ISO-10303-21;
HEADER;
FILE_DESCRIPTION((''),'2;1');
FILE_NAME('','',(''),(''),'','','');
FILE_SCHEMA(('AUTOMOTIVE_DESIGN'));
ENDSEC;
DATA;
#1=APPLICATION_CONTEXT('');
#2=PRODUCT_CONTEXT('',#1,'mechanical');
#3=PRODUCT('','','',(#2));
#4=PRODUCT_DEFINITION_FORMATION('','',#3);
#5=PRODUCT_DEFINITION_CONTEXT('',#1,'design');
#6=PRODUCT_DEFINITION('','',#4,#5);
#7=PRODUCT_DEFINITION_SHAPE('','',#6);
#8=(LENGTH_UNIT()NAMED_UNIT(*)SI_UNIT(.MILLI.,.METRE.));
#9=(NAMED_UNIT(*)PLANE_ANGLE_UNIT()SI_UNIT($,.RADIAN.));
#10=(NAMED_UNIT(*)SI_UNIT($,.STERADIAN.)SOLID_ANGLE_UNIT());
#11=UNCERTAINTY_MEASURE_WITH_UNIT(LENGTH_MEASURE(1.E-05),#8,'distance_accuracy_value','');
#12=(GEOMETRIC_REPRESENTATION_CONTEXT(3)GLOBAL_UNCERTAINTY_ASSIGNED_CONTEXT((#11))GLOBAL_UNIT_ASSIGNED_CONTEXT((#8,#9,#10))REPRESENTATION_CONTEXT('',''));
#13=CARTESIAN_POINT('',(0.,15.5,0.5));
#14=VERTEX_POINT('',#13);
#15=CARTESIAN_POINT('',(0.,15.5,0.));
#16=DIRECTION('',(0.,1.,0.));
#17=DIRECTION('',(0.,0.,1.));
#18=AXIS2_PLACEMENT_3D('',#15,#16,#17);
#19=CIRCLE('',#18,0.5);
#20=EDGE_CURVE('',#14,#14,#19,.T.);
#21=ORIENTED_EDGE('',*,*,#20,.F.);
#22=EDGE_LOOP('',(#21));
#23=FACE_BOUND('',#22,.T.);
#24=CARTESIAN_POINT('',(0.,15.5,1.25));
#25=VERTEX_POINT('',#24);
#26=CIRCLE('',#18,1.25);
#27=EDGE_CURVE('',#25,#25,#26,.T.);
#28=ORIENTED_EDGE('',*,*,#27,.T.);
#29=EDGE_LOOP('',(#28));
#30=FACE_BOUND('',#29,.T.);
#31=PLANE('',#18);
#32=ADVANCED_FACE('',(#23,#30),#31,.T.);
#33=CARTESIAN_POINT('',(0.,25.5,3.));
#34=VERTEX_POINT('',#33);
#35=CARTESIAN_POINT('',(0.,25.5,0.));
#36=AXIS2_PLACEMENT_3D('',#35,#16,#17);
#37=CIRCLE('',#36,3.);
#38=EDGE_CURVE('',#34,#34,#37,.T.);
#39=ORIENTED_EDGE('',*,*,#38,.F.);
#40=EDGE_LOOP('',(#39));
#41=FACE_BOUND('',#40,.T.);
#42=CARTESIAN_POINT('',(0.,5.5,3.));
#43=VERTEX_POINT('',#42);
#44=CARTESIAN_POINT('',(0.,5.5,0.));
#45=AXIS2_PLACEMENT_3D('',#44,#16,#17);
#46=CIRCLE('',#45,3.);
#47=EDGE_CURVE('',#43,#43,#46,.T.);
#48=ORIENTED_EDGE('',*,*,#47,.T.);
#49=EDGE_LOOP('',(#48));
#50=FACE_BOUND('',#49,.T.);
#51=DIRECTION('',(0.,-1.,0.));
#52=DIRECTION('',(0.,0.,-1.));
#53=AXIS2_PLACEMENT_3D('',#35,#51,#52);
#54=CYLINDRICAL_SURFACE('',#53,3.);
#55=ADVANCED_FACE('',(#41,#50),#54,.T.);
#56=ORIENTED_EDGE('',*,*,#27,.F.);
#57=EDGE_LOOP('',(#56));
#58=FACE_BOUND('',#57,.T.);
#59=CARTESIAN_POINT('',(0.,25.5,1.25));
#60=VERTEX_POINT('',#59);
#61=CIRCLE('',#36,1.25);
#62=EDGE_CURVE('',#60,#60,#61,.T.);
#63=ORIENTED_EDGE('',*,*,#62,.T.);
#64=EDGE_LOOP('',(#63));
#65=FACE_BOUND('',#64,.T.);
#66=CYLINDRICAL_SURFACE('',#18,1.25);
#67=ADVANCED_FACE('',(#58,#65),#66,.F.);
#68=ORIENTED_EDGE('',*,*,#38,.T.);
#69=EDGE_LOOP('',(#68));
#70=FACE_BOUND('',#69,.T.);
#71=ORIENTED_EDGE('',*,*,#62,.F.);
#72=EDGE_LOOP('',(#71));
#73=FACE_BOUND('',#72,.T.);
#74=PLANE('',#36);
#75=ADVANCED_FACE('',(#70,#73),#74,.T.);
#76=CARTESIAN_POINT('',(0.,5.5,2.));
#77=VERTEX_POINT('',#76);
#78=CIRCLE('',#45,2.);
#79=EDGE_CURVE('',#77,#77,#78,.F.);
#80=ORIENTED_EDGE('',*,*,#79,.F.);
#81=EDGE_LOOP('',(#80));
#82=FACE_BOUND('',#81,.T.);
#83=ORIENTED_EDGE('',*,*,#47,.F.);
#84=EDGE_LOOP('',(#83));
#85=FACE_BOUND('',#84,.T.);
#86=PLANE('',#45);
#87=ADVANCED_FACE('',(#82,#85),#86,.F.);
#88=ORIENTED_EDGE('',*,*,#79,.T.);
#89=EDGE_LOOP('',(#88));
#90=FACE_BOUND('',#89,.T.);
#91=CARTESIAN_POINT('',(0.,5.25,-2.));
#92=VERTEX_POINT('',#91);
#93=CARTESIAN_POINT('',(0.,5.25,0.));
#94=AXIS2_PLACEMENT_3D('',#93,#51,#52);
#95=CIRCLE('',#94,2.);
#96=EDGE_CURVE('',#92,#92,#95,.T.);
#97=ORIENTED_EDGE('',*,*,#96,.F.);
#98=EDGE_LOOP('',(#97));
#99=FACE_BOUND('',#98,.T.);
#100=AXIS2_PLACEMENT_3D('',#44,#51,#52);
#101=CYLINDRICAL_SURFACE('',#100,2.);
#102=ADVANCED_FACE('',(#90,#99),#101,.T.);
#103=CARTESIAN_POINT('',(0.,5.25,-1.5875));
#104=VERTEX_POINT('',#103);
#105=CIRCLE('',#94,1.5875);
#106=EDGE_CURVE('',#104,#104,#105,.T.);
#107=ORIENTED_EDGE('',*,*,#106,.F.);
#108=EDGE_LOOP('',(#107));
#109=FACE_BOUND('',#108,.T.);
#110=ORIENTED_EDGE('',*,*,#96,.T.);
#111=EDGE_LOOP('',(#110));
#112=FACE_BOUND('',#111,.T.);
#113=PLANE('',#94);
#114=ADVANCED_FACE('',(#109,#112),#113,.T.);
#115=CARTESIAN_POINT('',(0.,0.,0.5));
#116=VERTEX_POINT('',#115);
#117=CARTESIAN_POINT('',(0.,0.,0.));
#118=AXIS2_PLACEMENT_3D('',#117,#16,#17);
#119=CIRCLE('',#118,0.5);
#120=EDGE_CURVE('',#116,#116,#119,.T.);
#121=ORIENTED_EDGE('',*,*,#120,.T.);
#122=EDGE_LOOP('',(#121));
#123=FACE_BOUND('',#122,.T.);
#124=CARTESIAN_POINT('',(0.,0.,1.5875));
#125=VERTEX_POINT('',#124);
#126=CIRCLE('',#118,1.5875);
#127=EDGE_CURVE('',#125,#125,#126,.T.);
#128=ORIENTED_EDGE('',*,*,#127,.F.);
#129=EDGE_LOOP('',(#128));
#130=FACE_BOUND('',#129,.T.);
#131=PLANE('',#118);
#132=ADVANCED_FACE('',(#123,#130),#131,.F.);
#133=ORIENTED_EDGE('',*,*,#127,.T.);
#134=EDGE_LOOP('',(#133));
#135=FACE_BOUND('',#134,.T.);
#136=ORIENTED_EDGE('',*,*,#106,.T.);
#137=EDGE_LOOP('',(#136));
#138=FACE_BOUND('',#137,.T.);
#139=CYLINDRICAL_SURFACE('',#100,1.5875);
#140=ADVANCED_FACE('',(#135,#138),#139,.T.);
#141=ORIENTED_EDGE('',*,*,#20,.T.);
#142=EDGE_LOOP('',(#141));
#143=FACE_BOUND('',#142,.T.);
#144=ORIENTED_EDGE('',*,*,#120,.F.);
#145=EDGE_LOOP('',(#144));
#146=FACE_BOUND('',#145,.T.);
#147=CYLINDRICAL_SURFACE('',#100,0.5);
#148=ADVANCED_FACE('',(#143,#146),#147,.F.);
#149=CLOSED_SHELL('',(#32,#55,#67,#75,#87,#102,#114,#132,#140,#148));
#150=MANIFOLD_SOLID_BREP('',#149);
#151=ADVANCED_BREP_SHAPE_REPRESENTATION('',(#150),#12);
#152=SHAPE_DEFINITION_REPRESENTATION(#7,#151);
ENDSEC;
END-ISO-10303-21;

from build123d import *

# Parameters (mm, degrees)
SKETCH1_R           = 1.5875
SKETCH1_R_2         = 0.5
BOSS_EXTRUDE1_DEPTH = 5.5
SKETCH2_R           = 2
SKETCH2_R_2         = 1.5875
BOSS_EXTRUDE2_DEPTH = 0.25
SKETCH3_R           = 3
SKETCH3_R_2         = 0.5
BOSS_EXTRUDE3_DEPTH = 20
SKETCH4_R           = 1.25
CUT_EXTRUDE1_DEPTH  = 10


with BuildPart() as part:
    # Sketch1 → Boss-Extrude1 (new body)
    with BuildSketch(Plane(origin=(0, 0, 0), x_dir=(1, 0, 0), z_dir=(0, 1, 0))):
        with Locations(Location((0, 0, 0), (0, 0, 270))):
            Circle(SKETCH1_R)
        with Locations(Location((0, 0, 0), (0, 0, 270))):
            Circle(SKETCH1_R_2, mode=Mode.SUBTRACT)
    extrude(amount=BOSS_EXTRUDE1_DEPTH)

    # Sketch2 → Boss-Extrude2 (add)
    with BuildSketch(Plane(origin=(0, 5.25, 0), x_dir=(-1, 0, 0), z_dir=(0, -1, 0))):
        with Locations(Location((0, 0, 0), (0, 0, 90))):
            Circle(SKETCH2_R)
        with Locations(Location((0, 0, 0), (0, 0, 90))):
            Circle(SKETCH2_R_2, mode=Mode.SUBTRACT)
    extrude(amount=-BOSS_EXTRUDE2_DEPTH)

    # Sketch3 → Boss-Extrude3 (add)
    with BuildSketch(Plane(origin=(0, 5.5, 0), x_dir=(1, 0, 0), z_dir=(0, 1, 0))):
        with Locations(Location((0, 0, 0), (0, 0, 270))):
            Circle(SKETCH3_R)
        with Locations(Location((0, 0, 0), (0, 0, 270))):
            Circle(SKETCH3_R_2, mode=Mode.SUBTRACT)
    extrude(amount=BOSS_EXTRUDE3_DEPTH)

    # Sketch4 → Cut-Extrude1 (cut)
    with BuildSketch(Plane(origin=(0, 25.5, 0), x_dir=(1, 0, 0), z_dir=(0, 1, 0))):
        with Locations(Location((0, 0, 0), (0, 0, 270))):
            Circle(SKETCH4_R)
    extrude(amount=-CUT_EXTRUDE1_DEPTH, mode=Mode.SUBTRACT)


solid = part.part
